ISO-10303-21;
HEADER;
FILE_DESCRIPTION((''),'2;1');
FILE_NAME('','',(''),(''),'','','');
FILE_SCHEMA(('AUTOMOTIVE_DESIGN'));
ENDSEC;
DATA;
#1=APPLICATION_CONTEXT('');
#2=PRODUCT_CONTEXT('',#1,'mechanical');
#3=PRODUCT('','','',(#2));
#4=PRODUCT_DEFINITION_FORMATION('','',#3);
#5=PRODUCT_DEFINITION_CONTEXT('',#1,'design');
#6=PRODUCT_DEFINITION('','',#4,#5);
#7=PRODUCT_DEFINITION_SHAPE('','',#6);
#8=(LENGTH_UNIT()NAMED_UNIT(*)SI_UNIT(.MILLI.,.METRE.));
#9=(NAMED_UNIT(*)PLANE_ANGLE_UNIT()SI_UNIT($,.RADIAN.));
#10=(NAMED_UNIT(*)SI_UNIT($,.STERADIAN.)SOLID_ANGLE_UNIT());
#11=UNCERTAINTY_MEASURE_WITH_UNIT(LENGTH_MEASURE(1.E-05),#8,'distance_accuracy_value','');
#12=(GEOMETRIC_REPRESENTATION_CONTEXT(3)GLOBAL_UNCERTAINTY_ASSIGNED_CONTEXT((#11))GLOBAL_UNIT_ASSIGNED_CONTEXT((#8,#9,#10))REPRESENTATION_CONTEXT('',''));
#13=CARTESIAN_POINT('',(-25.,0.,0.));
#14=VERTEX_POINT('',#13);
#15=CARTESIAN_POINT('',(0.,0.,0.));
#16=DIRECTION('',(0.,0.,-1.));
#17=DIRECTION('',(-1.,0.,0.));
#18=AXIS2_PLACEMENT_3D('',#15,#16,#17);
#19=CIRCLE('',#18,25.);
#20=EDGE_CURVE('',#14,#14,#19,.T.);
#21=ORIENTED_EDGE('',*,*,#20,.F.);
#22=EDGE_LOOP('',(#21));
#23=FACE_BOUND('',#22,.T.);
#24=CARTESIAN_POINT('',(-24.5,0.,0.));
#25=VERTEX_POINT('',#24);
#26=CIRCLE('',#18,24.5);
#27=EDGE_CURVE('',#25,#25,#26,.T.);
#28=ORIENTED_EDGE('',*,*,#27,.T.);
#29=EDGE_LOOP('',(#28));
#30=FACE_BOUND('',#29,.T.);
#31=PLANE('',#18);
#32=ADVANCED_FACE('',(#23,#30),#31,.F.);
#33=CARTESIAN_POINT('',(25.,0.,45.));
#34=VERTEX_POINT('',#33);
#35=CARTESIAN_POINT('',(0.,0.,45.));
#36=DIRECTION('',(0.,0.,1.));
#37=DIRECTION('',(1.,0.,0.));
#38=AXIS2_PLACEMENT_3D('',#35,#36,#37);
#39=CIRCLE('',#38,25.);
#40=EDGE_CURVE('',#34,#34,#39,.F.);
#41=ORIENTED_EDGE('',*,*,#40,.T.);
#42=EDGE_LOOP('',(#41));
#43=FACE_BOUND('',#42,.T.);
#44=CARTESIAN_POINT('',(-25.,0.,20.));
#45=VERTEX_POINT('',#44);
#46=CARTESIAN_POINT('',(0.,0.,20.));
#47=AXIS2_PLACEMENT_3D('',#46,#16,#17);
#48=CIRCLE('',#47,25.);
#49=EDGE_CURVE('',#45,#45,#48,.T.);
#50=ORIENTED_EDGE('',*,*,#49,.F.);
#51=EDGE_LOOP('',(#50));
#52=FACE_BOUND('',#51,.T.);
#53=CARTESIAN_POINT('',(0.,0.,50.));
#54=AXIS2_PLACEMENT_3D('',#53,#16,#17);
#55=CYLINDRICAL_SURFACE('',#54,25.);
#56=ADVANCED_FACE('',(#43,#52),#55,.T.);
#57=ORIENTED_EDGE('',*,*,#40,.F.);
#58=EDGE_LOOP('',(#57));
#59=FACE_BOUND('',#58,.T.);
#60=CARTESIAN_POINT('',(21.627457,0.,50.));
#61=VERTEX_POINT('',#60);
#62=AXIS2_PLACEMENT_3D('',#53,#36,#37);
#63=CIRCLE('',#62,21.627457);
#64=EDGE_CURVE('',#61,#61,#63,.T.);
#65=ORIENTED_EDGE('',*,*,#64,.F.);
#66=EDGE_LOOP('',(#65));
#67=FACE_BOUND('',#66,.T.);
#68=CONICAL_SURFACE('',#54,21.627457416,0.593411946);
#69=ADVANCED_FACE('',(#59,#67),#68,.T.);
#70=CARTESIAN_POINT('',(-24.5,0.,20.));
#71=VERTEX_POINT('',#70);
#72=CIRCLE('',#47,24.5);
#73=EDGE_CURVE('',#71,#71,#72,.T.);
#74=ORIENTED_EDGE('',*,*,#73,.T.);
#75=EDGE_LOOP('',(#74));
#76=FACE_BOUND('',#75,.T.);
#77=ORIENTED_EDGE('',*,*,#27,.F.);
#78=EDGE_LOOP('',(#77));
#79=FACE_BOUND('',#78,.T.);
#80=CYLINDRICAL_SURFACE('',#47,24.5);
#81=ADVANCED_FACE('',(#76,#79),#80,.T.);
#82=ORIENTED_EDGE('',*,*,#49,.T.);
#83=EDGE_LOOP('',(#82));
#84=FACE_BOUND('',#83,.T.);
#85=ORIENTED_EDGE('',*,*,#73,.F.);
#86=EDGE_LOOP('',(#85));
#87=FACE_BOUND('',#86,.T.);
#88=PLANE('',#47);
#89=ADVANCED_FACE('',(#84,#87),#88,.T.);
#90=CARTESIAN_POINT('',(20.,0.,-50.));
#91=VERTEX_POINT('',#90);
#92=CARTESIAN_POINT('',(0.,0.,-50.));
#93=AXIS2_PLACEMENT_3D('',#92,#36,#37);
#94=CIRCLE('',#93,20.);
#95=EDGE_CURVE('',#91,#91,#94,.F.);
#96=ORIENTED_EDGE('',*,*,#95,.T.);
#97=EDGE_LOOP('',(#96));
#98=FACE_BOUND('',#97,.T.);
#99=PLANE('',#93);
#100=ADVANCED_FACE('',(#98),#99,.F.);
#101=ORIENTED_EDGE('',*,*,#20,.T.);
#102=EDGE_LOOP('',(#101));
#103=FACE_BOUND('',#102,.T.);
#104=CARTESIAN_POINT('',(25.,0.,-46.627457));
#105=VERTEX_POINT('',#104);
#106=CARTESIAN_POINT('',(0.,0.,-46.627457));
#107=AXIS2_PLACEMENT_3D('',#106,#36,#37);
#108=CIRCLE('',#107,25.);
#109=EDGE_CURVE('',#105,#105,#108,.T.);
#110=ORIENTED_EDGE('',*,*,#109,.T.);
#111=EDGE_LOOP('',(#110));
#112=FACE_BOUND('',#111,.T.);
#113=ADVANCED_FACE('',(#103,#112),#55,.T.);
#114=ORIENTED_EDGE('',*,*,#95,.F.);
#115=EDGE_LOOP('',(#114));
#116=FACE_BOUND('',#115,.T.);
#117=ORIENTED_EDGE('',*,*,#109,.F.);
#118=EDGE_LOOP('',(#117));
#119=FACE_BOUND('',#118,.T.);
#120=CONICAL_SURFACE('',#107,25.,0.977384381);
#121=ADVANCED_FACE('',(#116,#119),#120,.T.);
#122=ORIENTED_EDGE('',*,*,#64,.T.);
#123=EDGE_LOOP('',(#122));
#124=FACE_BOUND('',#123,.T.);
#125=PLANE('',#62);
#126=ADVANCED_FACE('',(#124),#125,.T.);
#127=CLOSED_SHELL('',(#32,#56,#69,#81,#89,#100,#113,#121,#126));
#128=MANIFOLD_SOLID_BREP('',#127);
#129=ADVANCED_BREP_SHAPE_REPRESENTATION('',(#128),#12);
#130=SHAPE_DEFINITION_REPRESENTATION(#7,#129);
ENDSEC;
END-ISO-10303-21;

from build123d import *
from OCP.BRepFilletAPI import BRepFilletAPI_MakeChamfer

# Parameters (mm, degrees)
SKETCH_1_R          = 25
EXTRUDE_1_DEPTH     = 50
CHAMFER_1_SIZE      = 5
CHAMFER_1_SIZE2     = 3.372542584
CUT_EXTRUDE_START   = -20
SKETCH_2_R          = 25
SKETCH_2_R_2        = 24.5
CUT_EXTRUDE_1_DEPTH = 20


with BuildPart() as part:
    # 草图1 → 凸台-拉伸1 (new, symmetric)
    with BuildSketch(Plane.XY):
        Circle(SKETCH_1_R)
    extrude(amount=EXTRUDE_1_DEPTH, both=True)

    # 倒角1: one chamfer whose edges measure the first distance from different faces: ONE call of the kernel's chamfer builder (chamfer() names one face for all edges)
    chamfer_1_edges_1 = [part.edges().sort_by_distance(p)[0] for p in [
        (-25, 0, -50),
    ]]
    chamfer_1_side_1 = [part.faces().sort_by_distance(p)[0] for p in [
        (0, 0, -50),
    ]]
    chamfer_1_edges_2 = [part.edges().sort_by_distance(p)[0] for p in [
        (-25, 0, 50),
    ]]
    chamfer_1_side_2 = [part.faces().sort_by_distance(p)[0] for p in [
        (-25, 0, 0),
    ]]
    chamfer_1 = BRepFilletAPI_MakeChamfer(part.part.solid().wrapped)
    for e in chamfer_1_edges_1:
        chamfer_1.Add(CHAMFER_1_SIZE, CHAMFER_1_SIZE2, e.wrapped, chamfer_1_side_1[0].wrapped)  # the first distance lies on this face
    for e in chamfer_1_edges_2:
        chamfer_1.Add(CHAMFER_1_SIZE, CHAMFER_1_SIZE2, e.wrapped, chamfer_1_side_2[0].wrapped)  # the first distance lies on this face
    add(Compound.cast(chamfer_1.Shape()), mode=Mode.REPLACE)

    # 草图2 → 切除-拉伸1 (cut)
    with BuildSketch(Plane(origin=(0, 0, 0), x_dir=(-1, 0, 0), z_dir=(0, 0, -1)).offset(CUT_EXTRUDE_START)):
        Circle(SKETCH_2_R)
        Circle(SKETCH_2_R_2, mode=Mode.SUBTRACT)
    extrude(amount=CUT_EXTRUDE_1_DEPTH, mode=Mode.SUBTRACT)


solid = part.part
